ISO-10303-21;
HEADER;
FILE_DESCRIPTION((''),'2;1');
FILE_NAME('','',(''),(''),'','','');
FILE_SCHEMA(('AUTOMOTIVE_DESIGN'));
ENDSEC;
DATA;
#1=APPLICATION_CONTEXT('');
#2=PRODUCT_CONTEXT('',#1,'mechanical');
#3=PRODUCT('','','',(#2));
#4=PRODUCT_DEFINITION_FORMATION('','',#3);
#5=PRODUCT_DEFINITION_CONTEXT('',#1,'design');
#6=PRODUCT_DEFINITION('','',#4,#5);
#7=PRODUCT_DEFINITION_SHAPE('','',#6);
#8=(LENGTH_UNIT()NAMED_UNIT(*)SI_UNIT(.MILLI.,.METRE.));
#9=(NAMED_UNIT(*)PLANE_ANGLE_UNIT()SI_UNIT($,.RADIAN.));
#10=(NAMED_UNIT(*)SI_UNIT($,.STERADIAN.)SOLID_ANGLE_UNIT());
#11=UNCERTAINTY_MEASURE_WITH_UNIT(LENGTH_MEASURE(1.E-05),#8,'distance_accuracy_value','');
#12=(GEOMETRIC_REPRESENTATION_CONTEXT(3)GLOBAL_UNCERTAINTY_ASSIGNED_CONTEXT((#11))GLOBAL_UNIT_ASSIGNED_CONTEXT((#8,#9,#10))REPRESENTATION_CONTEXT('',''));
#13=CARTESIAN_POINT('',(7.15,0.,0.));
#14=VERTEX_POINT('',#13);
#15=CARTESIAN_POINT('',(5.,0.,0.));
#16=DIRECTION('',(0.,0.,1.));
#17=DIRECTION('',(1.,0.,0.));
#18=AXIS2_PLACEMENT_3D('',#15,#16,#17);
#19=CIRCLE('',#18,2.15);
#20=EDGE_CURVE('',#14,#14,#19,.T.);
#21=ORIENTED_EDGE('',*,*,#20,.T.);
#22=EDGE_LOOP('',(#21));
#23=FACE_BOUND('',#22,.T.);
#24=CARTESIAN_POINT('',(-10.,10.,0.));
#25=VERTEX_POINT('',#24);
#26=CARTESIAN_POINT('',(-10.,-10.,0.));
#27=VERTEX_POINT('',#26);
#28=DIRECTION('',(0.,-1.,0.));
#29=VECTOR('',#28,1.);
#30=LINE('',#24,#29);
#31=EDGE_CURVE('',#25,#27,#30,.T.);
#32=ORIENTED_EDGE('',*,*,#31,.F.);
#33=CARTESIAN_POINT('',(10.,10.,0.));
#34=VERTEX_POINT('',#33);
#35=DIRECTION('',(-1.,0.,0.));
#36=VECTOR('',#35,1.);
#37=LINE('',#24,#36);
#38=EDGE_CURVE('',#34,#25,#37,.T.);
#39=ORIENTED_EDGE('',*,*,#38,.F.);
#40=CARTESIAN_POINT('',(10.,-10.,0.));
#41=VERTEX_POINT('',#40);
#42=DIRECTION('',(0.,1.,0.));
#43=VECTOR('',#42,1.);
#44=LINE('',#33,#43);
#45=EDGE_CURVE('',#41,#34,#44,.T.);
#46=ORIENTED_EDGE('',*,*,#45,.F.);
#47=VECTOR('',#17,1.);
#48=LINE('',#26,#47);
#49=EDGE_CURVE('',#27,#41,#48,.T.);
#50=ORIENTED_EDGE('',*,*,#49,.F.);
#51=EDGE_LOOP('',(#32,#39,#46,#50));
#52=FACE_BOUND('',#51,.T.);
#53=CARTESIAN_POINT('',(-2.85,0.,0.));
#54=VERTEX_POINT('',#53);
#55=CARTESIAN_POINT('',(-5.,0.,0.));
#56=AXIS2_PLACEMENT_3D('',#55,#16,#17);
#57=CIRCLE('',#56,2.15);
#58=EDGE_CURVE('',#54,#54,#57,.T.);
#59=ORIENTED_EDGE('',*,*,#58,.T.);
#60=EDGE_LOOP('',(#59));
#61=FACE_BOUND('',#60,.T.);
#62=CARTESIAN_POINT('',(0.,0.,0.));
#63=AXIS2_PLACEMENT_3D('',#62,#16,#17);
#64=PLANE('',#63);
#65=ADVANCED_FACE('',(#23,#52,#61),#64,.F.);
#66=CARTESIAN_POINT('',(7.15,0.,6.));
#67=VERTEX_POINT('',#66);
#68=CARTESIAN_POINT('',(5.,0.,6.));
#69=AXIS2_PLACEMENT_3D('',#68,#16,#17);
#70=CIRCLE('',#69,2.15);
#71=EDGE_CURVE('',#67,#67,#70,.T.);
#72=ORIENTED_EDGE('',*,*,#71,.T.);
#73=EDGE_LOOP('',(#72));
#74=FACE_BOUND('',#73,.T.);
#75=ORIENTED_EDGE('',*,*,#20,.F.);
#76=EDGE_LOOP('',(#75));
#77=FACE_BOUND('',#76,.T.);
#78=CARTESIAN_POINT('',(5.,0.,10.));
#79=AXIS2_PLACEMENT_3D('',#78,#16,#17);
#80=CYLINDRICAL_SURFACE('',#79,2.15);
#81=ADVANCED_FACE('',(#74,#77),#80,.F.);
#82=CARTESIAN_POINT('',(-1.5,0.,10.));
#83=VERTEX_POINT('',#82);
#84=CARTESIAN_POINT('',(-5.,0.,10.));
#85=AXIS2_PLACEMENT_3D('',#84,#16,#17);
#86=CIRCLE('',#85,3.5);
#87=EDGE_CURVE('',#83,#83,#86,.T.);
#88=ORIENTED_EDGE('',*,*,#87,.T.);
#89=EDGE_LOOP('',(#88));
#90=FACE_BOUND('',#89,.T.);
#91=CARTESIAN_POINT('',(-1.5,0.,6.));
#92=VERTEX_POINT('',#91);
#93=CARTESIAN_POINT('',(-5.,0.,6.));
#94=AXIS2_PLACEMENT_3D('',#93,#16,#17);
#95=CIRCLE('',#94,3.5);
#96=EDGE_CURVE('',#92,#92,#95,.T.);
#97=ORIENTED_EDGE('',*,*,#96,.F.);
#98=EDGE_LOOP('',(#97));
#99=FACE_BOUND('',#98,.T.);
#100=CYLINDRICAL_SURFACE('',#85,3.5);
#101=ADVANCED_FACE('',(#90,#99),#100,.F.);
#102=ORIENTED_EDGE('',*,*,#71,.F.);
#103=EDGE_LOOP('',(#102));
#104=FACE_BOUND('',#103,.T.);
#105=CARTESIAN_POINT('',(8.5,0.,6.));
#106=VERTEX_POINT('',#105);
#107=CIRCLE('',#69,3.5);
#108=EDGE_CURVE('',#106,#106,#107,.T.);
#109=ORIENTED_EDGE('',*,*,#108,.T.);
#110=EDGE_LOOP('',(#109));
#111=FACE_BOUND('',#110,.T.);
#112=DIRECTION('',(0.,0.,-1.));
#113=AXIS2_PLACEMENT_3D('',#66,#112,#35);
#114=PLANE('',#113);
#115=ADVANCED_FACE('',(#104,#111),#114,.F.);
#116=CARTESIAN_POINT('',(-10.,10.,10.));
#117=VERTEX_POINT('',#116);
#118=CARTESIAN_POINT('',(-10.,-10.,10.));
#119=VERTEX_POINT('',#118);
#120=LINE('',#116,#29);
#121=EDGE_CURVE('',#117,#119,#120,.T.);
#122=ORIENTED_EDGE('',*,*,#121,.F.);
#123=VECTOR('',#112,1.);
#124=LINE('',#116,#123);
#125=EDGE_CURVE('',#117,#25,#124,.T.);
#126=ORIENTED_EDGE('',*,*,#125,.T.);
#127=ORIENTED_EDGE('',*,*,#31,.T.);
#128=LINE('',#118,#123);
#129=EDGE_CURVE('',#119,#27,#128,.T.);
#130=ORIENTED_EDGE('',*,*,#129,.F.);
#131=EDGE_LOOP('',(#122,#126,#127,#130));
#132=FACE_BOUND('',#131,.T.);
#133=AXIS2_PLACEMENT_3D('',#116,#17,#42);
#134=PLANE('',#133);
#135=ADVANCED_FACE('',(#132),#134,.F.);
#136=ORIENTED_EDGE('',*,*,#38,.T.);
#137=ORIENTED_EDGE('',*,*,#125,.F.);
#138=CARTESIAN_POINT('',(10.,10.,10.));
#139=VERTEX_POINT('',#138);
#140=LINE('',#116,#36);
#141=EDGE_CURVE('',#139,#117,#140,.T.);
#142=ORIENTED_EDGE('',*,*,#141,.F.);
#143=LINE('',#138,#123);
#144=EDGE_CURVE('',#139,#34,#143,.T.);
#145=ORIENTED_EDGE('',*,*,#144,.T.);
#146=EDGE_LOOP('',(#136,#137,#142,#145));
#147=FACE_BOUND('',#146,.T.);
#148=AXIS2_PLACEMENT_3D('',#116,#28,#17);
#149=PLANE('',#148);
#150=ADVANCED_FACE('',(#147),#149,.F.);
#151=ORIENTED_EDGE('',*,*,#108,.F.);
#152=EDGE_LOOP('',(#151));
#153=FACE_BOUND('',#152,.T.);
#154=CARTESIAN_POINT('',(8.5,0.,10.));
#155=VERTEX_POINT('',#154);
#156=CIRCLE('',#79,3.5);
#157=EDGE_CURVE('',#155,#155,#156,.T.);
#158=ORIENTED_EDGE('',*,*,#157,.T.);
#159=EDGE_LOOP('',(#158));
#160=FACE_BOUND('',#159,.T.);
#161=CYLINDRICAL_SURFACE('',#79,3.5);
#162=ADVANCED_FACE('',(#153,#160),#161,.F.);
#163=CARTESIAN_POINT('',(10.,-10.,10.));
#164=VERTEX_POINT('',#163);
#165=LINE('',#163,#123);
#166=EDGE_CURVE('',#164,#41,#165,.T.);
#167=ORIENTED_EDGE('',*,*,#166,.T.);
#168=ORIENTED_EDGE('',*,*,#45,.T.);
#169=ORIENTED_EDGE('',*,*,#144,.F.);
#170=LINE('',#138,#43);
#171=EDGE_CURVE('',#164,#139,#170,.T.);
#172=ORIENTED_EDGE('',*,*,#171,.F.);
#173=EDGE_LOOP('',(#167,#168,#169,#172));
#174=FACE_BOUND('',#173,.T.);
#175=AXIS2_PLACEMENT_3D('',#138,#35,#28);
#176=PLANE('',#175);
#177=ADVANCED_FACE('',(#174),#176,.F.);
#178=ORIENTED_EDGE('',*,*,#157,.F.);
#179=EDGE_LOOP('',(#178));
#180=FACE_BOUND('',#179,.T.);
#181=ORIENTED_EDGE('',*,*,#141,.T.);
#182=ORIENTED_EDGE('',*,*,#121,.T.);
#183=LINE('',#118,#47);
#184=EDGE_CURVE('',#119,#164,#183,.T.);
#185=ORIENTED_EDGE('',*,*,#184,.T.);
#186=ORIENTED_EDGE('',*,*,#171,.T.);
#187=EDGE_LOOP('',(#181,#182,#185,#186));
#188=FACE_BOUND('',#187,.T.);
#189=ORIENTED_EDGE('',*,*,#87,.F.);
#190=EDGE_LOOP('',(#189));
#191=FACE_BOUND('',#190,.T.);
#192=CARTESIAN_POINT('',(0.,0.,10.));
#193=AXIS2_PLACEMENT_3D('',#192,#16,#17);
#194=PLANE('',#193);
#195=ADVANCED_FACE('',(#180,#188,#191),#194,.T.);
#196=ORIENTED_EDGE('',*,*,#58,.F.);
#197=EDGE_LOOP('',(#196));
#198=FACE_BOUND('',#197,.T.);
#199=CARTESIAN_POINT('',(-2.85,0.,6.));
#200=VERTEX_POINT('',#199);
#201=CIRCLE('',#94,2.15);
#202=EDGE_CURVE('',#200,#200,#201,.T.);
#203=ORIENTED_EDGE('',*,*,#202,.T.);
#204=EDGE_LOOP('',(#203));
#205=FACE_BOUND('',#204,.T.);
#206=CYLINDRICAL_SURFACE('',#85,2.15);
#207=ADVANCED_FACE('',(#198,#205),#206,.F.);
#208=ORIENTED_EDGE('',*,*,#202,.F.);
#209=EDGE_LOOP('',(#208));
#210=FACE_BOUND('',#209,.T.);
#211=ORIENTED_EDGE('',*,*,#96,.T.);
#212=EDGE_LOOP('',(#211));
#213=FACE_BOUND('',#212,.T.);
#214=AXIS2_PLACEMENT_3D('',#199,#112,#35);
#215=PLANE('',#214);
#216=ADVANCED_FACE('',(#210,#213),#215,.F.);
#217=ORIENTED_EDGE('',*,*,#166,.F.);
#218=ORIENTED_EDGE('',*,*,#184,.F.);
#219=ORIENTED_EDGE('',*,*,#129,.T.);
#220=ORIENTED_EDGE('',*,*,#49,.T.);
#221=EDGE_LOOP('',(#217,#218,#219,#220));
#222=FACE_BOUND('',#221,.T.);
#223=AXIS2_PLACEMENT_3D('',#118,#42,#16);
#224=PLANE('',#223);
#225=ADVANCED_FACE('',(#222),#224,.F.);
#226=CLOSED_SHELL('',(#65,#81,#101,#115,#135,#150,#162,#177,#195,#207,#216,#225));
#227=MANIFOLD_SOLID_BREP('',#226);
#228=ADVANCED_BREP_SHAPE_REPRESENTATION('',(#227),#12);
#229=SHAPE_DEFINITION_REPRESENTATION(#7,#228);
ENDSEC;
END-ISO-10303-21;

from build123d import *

# Parameters (mm, degrees)
ESBO_O1_W                                           = 20
ESBO_O1_H                                           = 20
RESSALTO_EXTRUS_O1_DEPTH                            = 10
REBAIXO_PARA_PARAFUSO_COM_CABE_A_PANELA_D           = 4.3
REBAIXO_PARA_PARAFUSO_COM_CABE_A_PANELA_CBORE_D     = 7
REBAIXO_PARA_PARAFUSO_COM_CABE_A_PANELA_CBORE_DEPTH = 4


with BuildPart() as part:
    # Esboço1 → Ressalto-extrusão1 (new body)
    with BuildSketch(Plane.XY):
        Rectangle(ESBO_O1_W, ESBO_O1_H)
    extrude(amount=RESSALTO_EXTRUS_O1_DEPTH)

    # Rebaixo para parafuso com cabeça panela de M41 (through all)
    with Locations(Plane.XY.offset(10)):
        with Locations((5, 0), (-5, 0)):
            CounterBoreHole(REBAIXO_PARA_PARAFUSO_COM_CABE_A_PANELA_D / 2, REBAIXO_PARA_PARAFUSO_COM_CABE_A_PANELA_CBORE_D / 2, REBAIXO_PARA_PARAFUSO_COM_CABE_A_PANELA_CBORE_DEPTH)


solid = part.part
